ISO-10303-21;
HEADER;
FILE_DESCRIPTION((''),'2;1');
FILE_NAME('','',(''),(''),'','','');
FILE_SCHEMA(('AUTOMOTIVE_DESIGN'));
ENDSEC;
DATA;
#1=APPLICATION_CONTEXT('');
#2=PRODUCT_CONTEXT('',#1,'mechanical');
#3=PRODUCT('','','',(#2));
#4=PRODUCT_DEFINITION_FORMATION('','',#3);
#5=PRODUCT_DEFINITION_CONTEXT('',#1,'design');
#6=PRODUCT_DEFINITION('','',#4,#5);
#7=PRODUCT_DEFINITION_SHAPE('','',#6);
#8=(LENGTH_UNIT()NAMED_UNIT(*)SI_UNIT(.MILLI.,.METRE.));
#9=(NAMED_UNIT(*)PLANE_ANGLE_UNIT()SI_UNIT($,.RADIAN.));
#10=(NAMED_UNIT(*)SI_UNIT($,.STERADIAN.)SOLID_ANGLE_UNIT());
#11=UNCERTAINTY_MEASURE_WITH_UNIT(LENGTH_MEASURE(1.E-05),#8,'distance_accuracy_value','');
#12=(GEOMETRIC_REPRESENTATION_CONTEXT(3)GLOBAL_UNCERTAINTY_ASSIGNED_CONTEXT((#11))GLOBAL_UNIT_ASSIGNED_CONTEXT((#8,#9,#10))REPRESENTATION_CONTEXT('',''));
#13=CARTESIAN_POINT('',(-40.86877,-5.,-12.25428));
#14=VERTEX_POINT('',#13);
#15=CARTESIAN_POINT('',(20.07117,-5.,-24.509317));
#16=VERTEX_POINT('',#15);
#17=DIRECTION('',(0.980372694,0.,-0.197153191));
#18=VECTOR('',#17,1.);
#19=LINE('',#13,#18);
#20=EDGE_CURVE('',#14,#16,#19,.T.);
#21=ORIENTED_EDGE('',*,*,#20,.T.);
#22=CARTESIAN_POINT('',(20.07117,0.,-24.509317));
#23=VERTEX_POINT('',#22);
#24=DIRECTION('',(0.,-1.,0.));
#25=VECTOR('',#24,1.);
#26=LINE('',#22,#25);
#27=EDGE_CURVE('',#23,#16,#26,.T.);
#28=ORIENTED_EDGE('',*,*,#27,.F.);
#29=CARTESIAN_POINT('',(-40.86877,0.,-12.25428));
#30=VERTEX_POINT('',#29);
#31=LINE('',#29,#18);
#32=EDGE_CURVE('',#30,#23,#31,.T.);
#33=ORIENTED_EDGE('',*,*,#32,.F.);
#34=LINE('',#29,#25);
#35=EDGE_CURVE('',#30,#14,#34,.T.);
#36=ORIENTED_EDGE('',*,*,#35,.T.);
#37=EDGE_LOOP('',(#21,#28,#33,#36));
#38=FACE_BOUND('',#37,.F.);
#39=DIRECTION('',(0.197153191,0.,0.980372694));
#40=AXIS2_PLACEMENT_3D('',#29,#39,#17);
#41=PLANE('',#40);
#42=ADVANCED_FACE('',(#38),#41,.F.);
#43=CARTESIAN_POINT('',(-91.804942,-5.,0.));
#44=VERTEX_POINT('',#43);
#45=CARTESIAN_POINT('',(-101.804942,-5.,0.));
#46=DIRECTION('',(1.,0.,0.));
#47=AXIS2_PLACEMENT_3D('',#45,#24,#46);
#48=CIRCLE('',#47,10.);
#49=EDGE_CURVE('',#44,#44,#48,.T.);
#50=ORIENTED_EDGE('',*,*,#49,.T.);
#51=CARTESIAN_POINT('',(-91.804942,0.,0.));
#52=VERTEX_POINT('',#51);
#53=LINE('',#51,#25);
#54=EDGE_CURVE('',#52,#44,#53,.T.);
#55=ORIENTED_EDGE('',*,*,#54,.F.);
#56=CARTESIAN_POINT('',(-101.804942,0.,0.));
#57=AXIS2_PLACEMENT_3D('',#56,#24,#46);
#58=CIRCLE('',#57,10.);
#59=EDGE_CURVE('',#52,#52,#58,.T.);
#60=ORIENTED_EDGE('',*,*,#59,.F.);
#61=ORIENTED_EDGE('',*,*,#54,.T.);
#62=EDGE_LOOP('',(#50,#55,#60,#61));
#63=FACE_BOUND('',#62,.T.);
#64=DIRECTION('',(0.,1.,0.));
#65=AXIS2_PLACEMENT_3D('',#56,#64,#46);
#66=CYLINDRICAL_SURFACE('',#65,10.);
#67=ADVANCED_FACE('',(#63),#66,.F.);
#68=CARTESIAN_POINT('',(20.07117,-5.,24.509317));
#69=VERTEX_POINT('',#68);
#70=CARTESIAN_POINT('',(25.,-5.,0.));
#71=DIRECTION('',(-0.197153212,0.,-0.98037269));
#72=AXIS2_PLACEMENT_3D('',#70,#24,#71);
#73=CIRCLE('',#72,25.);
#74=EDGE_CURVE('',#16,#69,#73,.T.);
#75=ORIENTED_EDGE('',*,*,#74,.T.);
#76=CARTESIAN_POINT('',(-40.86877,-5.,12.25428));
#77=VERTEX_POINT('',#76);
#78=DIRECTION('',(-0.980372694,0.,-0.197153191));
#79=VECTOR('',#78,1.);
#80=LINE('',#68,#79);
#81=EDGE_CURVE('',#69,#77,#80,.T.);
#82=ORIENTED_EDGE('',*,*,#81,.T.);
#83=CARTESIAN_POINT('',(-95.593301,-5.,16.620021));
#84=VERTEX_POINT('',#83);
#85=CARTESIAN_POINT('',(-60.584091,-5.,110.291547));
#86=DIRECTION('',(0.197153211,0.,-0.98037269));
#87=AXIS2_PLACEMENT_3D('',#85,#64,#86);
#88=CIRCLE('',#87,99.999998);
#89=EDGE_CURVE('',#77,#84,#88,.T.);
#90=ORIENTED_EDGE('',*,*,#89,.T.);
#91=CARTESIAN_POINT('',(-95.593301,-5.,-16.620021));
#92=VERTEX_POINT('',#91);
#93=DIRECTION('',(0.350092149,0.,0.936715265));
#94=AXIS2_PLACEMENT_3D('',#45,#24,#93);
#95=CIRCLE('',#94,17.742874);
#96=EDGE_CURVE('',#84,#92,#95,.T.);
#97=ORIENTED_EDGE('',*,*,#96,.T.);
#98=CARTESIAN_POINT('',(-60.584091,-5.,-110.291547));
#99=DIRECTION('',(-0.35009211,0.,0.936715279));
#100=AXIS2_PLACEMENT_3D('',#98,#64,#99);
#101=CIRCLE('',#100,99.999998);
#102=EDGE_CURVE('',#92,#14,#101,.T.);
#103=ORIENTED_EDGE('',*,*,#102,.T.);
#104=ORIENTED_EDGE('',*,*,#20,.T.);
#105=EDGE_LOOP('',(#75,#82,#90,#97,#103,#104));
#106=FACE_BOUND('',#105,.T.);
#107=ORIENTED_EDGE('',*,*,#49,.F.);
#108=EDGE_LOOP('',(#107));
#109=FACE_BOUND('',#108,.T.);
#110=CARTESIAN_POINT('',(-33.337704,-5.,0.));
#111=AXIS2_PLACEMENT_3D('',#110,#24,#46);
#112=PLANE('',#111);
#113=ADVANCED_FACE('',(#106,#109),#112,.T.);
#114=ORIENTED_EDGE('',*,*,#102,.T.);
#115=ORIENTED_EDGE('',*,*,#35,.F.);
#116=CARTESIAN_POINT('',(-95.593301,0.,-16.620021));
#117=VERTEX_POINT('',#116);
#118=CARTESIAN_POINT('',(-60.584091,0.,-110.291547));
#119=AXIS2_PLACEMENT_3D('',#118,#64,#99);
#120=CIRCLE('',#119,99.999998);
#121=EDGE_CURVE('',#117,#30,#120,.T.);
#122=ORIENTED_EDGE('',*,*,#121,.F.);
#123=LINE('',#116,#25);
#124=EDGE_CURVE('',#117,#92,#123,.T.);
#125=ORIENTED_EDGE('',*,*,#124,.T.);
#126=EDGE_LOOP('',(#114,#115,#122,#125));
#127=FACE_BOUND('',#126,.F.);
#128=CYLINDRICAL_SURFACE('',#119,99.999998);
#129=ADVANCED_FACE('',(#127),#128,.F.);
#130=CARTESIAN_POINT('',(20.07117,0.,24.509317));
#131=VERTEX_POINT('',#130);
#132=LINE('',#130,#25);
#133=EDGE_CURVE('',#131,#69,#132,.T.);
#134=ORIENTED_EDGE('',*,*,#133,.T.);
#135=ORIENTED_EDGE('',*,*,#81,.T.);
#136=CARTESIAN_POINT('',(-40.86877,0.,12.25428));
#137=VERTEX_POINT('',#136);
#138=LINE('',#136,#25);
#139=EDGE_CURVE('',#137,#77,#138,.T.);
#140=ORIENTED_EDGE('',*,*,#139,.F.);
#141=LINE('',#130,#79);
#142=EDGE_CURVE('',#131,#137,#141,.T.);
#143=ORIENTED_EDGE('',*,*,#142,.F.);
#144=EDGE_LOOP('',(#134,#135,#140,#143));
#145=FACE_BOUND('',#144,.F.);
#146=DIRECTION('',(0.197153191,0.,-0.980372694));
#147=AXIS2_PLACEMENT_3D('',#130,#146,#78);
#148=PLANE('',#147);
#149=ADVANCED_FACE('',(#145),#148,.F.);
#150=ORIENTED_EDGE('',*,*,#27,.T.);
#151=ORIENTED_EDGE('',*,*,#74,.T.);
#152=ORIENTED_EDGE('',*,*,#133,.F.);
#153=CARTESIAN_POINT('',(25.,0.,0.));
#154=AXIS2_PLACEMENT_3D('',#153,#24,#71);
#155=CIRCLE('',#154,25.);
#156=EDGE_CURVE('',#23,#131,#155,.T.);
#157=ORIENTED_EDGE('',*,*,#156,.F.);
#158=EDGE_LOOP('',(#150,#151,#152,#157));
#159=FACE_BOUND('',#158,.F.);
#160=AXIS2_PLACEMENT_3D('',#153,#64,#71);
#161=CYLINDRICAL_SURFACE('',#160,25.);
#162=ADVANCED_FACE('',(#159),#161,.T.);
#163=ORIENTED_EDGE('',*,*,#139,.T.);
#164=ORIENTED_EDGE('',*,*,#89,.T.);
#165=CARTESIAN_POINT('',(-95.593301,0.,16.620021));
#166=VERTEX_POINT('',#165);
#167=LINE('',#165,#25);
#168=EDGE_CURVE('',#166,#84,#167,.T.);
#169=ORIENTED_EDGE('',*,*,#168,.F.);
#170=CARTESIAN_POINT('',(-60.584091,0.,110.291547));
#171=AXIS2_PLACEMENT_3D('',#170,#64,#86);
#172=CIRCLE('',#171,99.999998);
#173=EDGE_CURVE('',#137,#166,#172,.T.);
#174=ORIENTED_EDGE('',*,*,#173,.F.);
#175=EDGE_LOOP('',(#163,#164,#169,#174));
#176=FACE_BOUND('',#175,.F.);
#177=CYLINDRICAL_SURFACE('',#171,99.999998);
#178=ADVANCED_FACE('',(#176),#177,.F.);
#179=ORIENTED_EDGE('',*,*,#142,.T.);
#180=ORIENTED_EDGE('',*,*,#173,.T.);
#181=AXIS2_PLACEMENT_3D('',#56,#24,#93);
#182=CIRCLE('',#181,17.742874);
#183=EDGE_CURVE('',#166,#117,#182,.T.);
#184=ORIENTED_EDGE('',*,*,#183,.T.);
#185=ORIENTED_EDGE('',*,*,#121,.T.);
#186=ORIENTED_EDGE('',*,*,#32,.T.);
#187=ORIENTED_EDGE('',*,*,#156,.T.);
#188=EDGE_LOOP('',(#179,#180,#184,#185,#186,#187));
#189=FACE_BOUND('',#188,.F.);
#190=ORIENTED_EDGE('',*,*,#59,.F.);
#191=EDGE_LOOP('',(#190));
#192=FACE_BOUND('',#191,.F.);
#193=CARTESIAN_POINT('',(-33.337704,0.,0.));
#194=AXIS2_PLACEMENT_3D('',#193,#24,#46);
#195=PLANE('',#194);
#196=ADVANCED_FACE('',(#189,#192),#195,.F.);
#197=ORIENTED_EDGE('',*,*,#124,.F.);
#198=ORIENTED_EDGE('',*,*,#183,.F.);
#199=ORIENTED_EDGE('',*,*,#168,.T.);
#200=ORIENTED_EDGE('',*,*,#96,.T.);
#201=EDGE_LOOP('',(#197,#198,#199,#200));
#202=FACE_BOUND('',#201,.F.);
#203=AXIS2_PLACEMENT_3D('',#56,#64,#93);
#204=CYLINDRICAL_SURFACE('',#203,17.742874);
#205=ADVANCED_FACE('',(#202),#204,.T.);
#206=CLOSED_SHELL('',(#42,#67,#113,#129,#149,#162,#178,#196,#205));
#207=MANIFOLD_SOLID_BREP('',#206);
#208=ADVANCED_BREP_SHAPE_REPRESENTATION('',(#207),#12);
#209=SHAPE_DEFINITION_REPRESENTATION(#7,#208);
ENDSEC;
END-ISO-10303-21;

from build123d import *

# Parameters (mm, degrees)
F0_R     = 10
F1_DEPTH = 5


with BuildPart() as f1:
    # F0 (on Front) → F1 (new body)
    with BuildSketch(Plane.XZ):
        with BuildLine():
            Line((-40.86877, -12.25428), (20.07117, -24.509317))
            ThreePointArc((20.07117, -24.509317), (50, 0), (20.07117, 24.509317))
            Line((20.07117, 24.509317), (-40.86877, 12.25428))
            ThreePointArc((-40.86877, 12.25428), (-68.536492, 10.608254), (-95.593301, 16.620021))
            ThreePointArc((-95.593301, 16.620021), (-119.547816, 0), (-95.593301, -16.620021))
            ThreePointArc((-95.593301, -16.620021), (-68.536492, -10.608254), (-40.86877, -12.25428))
        make_face()
        with Locations((-101.804942, 0)):
            Circle(F0_R, mode=Mode.SUBTRACT)
    extrude(amount=F1_DEPTH)


solid = f1.part
